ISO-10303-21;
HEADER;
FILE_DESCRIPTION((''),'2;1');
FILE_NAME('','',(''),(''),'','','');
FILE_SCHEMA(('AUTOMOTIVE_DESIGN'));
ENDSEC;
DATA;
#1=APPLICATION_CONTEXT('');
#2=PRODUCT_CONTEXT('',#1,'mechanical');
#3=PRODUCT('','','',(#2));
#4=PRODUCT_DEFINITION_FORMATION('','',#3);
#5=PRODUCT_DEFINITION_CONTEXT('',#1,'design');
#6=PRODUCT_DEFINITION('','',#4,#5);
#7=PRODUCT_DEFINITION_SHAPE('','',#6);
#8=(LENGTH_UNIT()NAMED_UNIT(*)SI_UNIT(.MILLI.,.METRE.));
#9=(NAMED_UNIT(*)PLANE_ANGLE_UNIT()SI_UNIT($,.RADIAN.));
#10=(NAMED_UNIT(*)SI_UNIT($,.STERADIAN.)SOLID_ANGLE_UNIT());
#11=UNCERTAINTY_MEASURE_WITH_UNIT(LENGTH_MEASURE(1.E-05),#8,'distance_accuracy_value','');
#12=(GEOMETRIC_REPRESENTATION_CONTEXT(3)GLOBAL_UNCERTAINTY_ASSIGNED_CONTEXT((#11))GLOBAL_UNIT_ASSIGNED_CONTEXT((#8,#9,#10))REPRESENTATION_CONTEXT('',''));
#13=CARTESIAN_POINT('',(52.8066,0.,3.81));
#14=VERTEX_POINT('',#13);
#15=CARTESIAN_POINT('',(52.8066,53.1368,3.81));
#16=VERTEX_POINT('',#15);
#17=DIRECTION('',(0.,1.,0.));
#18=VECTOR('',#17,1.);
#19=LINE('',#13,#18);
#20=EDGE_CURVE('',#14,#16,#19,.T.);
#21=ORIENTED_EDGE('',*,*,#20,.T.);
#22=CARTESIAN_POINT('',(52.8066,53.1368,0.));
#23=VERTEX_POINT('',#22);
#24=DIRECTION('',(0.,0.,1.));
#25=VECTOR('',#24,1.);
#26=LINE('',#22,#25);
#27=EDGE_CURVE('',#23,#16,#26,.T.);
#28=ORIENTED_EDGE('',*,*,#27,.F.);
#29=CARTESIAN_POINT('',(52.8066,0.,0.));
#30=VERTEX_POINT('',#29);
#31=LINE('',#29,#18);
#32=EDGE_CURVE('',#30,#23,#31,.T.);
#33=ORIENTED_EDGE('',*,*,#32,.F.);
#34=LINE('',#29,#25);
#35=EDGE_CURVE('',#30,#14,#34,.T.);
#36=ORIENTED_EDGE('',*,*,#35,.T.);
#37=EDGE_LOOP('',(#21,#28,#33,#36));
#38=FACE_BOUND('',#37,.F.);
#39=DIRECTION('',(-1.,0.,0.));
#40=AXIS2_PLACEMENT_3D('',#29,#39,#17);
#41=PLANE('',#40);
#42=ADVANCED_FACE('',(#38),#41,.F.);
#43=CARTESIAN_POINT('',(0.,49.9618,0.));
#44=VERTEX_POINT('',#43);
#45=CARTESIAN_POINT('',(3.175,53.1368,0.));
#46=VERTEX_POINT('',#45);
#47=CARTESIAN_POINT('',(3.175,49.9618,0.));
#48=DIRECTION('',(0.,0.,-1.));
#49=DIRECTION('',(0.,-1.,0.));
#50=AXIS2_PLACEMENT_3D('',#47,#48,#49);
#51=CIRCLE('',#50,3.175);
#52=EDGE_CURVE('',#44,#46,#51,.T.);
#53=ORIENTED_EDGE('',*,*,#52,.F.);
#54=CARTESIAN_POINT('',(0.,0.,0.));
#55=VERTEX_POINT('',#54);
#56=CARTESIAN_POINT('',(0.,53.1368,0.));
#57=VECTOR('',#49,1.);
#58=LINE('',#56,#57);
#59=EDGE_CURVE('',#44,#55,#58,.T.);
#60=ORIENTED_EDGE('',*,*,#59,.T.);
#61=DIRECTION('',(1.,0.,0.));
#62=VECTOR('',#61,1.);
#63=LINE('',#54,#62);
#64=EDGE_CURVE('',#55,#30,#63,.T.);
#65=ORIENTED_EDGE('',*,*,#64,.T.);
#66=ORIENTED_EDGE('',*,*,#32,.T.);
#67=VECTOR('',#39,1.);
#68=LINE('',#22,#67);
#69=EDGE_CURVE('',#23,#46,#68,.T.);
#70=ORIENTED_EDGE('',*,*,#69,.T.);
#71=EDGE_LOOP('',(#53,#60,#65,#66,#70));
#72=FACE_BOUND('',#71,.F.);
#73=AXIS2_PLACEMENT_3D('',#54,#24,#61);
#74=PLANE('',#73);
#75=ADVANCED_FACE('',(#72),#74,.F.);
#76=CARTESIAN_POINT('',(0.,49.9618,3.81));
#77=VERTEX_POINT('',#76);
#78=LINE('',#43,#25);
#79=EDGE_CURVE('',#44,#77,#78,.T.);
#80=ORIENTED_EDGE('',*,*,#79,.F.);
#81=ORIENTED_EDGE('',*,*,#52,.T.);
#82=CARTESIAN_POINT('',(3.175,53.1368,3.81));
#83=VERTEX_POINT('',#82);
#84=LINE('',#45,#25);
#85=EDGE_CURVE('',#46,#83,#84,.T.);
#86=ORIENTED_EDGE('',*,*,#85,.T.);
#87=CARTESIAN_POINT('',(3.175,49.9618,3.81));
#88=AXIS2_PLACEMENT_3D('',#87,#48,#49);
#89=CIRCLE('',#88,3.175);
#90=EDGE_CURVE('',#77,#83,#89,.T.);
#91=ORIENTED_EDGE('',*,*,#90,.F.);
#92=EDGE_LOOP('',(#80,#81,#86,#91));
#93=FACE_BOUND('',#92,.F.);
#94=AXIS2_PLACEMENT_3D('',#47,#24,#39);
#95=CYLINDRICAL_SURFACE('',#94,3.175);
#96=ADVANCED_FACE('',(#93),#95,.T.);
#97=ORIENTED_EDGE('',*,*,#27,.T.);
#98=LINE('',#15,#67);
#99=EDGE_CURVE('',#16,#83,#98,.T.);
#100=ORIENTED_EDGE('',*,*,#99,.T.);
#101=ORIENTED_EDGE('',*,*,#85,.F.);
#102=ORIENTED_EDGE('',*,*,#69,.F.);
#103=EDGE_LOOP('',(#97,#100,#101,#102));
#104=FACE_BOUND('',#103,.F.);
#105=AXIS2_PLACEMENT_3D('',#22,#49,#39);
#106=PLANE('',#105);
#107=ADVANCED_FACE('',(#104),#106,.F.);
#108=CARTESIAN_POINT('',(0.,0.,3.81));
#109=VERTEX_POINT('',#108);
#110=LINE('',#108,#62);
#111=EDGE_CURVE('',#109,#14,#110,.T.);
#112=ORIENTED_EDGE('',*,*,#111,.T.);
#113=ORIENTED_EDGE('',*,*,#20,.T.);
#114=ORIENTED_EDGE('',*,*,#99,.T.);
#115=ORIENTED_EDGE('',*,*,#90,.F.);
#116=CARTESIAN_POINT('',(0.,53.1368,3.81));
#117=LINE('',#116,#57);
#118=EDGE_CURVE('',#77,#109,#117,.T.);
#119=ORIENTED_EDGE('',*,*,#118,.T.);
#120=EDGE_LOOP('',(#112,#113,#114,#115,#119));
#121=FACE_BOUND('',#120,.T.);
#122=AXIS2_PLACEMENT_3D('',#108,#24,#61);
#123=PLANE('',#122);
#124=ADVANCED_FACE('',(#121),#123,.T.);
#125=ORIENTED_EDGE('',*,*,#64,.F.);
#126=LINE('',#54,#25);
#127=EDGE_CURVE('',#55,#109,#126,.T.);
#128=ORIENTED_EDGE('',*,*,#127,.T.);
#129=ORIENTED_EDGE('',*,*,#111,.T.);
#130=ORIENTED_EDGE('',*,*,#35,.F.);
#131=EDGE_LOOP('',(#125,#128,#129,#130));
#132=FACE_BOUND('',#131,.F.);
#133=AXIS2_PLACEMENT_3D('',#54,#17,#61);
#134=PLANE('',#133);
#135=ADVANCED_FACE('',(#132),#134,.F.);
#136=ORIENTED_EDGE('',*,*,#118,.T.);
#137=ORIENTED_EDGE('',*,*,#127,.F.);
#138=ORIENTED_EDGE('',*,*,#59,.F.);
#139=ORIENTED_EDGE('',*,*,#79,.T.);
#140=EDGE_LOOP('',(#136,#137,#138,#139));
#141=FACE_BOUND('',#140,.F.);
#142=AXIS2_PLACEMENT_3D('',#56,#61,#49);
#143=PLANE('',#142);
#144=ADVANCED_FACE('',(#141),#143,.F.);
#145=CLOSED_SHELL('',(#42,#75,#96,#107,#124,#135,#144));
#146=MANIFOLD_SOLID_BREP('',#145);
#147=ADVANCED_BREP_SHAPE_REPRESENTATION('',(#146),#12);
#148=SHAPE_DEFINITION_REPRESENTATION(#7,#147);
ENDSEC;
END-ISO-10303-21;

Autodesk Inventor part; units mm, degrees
ref_plane "YZ Plane" through (0, 0, 0) normal (1, 0, 0) x (0, 1, 0)
ref_plane "XZ Plane" through (0, 0, 0) normal (0, 1, 0) x (-1, 0, 0)
ref_plane "XY Plane" through (0, 0, 0) normal (0, 0, 1) x (1, 0, 0)
sketch "Sketch1" plane through (0, 0, 0) normal (0, 0, 1) x (1, 0, 0)
  line L0 (0, 0) -> (52.8066, 0)
  line L1 (52.8066, 0) -> (52.8066, 53.1368)
  line L2 (52.8066, 53.1368) -> (0, 53.1368)
  line L3 (0, 53.1368) -> (0, 0)
  dimension "d0" = 52.8066
  dimension "d1" = 53.1368
extrude "Extrusion1" add sketch "Sketch1" along normal blind 3.81
fillet "Fillet1" radius 3.175 1 edges at (0, 53.1368, 1.905)
properties part number "Closure V1"
